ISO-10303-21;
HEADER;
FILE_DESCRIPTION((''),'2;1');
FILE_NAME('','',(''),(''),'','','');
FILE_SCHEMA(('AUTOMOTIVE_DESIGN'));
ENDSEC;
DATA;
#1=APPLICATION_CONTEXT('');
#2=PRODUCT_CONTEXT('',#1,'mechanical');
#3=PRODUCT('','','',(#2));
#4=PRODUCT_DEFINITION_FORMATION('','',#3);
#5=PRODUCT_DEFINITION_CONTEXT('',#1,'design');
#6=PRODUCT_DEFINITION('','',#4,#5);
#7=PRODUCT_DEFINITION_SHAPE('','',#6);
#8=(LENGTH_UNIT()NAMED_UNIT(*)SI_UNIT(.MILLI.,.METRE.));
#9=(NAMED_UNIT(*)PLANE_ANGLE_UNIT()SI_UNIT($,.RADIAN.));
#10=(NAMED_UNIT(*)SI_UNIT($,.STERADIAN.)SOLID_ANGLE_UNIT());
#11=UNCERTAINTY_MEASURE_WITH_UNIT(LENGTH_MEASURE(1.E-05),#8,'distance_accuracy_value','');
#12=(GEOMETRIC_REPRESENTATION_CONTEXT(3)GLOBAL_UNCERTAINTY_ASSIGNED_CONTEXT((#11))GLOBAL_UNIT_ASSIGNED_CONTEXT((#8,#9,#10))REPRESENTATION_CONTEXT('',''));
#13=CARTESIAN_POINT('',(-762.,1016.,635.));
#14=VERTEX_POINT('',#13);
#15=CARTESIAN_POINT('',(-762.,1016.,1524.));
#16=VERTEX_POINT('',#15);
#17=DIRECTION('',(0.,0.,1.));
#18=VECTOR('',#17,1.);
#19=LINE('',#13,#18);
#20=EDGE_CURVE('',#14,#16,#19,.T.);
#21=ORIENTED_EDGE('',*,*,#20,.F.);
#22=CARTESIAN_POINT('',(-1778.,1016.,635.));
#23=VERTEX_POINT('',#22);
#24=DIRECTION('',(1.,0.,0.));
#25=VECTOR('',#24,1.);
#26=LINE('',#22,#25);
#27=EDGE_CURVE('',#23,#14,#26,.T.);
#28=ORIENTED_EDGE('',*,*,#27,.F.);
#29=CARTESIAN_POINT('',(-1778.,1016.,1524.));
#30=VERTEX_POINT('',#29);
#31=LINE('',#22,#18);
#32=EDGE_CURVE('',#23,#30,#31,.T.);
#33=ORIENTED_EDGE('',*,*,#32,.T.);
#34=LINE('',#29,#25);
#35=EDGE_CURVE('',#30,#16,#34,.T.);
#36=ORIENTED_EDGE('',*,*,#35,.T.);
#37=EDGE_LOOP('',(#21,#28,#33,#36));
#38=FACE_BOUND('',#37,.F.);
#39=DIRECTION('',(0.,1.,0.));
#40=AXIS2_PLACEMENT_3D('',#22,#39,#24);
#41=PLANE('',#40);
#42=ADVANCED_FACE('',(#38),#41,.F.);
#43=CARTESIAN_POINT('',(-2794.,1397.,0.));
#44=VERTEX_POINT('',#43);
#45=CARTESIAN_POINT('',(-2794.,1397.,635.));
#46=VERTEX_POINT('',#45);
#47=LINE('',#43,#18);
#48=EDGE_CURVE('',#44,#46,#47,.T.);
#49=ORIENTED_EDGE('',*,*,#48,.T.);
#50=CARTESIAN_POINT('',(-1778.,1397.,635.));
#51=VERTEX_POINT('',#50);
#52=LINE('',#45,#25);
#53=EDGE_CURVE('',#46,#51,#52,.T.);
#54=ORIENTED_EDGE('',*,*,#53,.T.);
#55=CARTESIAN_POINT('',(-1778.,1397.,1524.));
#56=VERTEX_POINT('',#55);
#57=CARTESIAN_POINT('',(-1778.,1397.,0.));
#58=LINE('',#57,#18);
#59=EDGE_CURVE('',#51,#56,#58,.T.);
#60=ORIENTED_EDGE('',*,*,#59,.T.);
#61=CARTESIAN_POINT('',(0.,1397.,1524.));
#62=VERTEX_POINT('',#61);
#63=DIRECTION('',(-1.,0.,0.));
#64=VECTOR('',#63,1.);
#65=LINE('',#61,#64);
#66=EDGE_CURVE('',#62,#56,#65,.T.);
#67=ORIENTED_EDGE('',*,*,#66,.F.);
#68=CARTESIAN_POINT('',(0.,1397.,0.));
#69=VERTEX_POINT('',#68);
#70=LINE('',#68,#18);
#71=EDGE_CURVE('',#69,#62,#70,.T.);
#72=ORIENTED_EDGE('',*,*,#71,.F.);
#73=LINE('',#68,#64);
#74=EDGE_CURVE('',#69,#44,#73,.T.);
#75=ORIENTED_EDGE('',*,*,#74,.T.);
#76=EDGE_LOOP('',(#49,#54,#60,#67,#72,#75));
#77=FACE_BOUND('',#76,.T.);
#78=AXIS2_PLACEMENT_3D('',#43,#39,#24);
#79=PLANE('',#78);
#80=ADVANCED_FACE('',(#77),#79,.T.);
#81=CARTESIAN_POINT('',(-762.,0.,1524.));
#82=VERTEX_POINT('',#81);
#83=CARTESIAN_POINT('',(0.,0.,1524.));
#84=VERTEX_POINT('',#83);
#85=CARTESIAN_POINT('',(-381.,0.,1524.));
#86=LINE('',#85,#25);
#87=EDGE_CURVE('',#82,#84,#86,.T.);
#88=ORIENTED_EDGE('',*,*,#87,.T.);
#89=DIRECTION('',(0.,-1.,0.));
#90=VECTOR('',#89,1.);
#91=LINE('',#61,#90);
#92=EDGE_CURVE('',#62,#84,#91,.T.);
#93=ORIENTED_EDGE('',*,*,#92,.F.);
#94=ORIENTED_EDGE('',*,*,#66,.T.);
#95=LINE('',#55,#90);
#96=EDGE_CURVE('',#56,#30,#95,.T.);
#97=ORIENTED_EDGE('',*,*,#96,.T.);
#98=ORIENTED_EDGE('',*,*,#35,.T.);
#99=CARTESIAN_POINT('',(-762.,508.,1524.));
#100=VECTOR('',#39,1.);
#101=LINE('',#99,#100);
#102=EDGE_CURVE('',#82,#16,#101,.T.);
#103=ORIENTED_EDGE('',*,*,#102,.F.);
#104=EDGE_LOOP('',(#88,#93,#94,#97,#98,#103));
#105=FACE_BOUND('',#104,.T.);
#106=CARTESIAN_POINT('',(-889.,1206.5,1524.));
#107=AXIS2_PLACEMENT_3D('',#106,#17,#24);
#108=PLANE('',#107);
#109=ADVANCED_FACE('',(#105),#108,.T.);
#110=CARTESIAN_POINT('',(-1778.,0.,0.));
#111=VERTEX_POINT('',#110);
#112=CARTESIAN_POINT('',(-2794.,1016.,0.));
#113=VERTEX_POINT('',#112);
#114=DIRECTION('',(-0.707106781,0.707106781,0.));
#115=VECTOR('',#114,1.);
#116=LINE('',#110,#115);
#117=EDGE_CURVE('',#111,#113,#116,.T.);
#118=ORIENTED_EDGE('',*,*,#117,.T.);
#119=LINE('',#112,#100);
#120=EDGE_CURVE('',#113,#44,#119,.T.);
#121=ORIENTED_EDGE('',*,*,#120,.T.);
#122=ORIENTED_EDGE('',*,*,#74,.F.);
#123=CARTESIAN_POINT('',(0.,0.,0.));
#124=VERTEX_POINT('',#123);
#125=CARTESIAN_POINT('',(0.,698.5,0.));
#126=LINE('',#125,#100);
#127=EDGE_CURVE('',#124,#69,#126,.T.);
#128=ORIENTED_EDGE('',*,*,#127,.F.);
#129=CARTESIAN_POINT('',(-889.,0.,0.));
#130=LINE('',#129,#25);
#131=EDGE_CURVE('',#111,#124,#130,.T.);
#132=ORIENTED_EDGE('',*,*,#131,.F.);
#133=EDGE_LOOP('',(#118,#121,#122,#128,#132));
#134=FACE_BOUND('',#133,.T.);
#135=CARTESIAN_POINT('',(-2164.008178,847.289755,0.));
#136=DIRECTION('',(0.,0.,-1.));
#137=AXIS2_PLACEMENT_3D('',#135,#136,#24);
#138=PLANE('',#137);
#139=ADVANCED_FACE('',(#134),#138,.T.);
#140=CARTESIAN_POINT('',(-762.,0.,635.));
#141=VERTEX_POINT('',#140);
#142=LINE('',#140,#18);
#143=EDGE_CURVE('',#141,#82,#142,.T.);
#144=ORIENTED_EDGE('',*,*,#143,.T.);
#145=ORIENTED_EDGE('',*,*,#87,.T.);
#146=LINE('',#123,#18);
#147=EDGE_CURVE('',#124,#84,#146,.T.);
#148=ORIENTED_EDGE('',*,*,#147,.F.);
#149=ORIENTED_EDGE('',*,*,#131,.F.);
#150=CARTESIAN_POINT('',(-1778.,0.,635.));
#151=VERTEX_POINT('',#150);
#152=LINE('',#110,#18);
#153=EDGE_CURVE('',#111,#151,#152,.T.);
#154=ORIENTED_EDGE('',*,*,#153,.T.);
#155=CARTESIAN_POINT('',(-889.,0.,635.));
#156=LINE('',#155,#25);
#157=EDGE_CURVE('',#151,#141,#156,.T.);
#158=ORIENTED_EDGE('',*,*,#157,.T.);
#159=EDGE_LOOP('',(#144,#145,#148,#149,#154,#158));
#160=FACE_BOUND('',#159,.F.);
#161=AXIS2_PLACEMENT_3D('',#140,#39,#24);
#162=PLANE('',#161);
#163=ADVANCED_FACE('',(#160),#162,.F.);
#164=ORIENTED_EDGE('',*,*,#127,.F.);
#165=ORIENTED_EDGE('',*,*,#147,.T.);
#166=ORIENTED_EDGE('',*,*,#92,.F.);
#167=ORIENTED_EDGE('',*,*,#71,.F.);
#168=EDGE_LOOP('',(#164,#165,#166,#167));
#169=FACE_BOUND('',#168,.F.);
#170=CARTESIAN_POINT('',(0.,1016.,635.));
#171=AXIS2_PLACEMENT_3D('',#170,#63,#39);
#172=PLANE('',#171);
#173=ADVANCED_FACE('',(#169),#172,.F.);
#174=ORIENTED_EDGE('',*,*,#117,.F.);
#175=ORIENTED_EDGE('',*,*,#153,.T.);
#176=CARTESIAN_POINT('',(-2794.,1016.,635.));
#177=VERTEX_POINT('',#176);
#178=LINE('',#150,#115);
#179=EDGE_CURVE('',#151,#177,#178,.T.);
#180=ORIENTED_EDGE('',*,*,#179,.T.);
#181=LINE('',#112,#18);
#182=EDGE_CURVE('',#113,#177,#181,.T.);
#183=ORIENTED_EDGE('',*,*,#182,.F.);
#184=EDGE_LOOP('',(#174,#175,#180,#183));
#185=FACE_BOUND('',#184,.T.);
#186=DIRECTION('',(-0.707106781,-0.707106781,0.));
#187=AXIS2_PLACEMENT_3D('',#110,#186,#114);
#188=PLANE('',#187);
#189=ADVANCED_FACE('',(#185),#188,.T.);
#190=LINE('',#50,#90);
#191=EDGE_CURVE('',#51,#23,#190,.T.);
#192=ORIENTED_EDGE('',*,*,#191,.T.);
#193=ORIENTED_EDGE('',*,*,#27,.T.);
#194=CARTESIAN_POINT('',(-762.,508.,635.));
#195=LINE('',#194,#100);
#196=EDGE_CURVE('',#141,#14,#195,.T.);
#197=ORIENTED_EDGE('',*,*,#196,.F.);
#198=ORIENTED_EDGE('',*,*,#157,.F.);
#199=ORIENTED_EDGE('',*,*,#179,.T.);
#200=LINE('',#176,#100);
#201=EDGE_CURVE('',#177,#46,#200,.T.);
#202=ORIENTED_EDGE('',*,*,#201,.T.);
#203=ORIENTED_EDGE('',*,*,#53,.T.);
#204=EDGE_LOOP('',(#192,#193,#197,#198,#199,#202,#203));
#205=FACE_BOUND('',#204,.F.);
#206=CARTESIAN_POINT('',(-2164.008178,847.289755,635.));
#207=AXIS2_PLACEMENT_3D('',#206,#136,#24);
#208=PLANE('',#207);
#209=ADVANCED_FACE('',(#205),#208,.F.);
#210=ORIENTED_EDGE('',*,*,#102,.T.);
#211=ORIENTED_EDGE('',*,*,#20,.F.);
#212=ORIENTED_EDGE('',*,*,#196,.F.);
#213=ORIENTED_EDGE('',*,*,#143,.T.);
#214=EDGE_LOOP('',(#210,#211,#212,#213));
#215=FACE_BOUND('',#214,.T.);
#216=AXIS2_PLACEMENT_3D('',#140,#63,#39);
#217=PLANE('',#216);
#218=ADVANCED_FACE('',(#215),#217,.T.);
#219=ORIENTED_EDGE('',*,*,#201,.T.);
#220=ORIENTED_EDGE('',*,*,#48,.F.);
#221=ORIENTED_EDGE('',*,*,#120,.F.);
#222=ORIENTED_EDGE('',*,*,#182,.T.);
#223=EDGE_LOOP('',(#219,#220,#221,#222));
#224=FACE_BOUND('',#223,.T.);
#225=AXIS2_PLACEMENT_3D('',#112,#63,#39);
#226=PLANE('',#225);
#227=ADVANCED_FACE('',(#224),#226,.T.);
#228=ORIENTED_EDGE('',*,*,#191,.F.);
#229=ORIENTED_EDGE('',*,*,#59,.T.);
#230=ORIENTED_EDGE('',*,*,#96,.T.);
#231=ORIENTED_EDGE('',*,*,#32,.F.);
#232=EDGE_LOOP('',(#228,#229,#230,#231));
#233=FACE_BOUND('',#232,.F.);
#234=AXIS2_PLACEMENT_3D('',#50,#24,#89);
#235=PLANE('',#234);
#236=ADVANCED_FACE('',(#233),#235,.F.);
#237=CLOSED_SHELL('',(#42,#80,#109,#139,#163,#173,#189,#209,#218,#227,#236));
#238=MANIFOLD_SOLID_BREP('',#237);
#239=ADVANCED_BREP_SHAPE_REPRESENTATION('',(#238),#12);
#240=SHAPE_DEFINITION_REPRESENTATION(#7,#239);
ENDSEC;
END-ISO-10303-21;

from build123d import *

# Parameters (mm, degrees)
F0_W      = 1778
F0_H      = 1397
F1_DEPTH  = 635
F2_W      = 762
F2_H      = 1016
F3_DEPTH  = 1143
F5_DEPTH  = 889
F3_FACE_W = 762
F3_FACE_H = 1016
F6_DEPTH  = 254
F8_DEPTH  = 635


with BuildPart() as f1:
    # F0 (on Top) → F1 (new body)
    with BuildSketch(Plane.XY):
        with Locations((-889, 698.5)):
            Rectangle(F0_W, F0_H)
    extrude(amount=F1_DEPTH)

    # F2 (on face) → F3 (join)
    with BuildSketch(Plane.XY.offset(635)):
        with Locations((-381, 508)):
            Rectangle(F2_W, F2_H)
    extrude(amount=F3_DEPTH)

    # F4 (on face) → F5 (join)
    with BuildSketch(Plane.XY.offset(635)):
        Polygon((0, 1016), (0, 1397), (-1778, 1397), (-1778, 1016), (-762, 1016), align=None)
    extrude(amount=F5_DEPTH)

    # F3_face (on face) → F6 (cut)
    with BuildSketch(Plane(origin=(-381, 508, 1778), x_dir=(1, 0, 0), z_dir=(0, 0, 1))):
        Rectangle(F3_FACE_W, F3_FACE_H)
    extrude(amount=-F6_DEPTH, mode=Mode.SUBTRACT)

    # F7 (on face) → F8 (join)
    with BuildSketch(Plane(origin=(0, 0, 0), x_dir=(1, 0, 0), z_dir=(0, 0, -1))):
        Polygon((-2794, -1397), (-1778, -1397), (-1778, 0), (-2794, -1016), align=None)
    extrude(amount=-F8_DEPTH)


solid = f1.part
